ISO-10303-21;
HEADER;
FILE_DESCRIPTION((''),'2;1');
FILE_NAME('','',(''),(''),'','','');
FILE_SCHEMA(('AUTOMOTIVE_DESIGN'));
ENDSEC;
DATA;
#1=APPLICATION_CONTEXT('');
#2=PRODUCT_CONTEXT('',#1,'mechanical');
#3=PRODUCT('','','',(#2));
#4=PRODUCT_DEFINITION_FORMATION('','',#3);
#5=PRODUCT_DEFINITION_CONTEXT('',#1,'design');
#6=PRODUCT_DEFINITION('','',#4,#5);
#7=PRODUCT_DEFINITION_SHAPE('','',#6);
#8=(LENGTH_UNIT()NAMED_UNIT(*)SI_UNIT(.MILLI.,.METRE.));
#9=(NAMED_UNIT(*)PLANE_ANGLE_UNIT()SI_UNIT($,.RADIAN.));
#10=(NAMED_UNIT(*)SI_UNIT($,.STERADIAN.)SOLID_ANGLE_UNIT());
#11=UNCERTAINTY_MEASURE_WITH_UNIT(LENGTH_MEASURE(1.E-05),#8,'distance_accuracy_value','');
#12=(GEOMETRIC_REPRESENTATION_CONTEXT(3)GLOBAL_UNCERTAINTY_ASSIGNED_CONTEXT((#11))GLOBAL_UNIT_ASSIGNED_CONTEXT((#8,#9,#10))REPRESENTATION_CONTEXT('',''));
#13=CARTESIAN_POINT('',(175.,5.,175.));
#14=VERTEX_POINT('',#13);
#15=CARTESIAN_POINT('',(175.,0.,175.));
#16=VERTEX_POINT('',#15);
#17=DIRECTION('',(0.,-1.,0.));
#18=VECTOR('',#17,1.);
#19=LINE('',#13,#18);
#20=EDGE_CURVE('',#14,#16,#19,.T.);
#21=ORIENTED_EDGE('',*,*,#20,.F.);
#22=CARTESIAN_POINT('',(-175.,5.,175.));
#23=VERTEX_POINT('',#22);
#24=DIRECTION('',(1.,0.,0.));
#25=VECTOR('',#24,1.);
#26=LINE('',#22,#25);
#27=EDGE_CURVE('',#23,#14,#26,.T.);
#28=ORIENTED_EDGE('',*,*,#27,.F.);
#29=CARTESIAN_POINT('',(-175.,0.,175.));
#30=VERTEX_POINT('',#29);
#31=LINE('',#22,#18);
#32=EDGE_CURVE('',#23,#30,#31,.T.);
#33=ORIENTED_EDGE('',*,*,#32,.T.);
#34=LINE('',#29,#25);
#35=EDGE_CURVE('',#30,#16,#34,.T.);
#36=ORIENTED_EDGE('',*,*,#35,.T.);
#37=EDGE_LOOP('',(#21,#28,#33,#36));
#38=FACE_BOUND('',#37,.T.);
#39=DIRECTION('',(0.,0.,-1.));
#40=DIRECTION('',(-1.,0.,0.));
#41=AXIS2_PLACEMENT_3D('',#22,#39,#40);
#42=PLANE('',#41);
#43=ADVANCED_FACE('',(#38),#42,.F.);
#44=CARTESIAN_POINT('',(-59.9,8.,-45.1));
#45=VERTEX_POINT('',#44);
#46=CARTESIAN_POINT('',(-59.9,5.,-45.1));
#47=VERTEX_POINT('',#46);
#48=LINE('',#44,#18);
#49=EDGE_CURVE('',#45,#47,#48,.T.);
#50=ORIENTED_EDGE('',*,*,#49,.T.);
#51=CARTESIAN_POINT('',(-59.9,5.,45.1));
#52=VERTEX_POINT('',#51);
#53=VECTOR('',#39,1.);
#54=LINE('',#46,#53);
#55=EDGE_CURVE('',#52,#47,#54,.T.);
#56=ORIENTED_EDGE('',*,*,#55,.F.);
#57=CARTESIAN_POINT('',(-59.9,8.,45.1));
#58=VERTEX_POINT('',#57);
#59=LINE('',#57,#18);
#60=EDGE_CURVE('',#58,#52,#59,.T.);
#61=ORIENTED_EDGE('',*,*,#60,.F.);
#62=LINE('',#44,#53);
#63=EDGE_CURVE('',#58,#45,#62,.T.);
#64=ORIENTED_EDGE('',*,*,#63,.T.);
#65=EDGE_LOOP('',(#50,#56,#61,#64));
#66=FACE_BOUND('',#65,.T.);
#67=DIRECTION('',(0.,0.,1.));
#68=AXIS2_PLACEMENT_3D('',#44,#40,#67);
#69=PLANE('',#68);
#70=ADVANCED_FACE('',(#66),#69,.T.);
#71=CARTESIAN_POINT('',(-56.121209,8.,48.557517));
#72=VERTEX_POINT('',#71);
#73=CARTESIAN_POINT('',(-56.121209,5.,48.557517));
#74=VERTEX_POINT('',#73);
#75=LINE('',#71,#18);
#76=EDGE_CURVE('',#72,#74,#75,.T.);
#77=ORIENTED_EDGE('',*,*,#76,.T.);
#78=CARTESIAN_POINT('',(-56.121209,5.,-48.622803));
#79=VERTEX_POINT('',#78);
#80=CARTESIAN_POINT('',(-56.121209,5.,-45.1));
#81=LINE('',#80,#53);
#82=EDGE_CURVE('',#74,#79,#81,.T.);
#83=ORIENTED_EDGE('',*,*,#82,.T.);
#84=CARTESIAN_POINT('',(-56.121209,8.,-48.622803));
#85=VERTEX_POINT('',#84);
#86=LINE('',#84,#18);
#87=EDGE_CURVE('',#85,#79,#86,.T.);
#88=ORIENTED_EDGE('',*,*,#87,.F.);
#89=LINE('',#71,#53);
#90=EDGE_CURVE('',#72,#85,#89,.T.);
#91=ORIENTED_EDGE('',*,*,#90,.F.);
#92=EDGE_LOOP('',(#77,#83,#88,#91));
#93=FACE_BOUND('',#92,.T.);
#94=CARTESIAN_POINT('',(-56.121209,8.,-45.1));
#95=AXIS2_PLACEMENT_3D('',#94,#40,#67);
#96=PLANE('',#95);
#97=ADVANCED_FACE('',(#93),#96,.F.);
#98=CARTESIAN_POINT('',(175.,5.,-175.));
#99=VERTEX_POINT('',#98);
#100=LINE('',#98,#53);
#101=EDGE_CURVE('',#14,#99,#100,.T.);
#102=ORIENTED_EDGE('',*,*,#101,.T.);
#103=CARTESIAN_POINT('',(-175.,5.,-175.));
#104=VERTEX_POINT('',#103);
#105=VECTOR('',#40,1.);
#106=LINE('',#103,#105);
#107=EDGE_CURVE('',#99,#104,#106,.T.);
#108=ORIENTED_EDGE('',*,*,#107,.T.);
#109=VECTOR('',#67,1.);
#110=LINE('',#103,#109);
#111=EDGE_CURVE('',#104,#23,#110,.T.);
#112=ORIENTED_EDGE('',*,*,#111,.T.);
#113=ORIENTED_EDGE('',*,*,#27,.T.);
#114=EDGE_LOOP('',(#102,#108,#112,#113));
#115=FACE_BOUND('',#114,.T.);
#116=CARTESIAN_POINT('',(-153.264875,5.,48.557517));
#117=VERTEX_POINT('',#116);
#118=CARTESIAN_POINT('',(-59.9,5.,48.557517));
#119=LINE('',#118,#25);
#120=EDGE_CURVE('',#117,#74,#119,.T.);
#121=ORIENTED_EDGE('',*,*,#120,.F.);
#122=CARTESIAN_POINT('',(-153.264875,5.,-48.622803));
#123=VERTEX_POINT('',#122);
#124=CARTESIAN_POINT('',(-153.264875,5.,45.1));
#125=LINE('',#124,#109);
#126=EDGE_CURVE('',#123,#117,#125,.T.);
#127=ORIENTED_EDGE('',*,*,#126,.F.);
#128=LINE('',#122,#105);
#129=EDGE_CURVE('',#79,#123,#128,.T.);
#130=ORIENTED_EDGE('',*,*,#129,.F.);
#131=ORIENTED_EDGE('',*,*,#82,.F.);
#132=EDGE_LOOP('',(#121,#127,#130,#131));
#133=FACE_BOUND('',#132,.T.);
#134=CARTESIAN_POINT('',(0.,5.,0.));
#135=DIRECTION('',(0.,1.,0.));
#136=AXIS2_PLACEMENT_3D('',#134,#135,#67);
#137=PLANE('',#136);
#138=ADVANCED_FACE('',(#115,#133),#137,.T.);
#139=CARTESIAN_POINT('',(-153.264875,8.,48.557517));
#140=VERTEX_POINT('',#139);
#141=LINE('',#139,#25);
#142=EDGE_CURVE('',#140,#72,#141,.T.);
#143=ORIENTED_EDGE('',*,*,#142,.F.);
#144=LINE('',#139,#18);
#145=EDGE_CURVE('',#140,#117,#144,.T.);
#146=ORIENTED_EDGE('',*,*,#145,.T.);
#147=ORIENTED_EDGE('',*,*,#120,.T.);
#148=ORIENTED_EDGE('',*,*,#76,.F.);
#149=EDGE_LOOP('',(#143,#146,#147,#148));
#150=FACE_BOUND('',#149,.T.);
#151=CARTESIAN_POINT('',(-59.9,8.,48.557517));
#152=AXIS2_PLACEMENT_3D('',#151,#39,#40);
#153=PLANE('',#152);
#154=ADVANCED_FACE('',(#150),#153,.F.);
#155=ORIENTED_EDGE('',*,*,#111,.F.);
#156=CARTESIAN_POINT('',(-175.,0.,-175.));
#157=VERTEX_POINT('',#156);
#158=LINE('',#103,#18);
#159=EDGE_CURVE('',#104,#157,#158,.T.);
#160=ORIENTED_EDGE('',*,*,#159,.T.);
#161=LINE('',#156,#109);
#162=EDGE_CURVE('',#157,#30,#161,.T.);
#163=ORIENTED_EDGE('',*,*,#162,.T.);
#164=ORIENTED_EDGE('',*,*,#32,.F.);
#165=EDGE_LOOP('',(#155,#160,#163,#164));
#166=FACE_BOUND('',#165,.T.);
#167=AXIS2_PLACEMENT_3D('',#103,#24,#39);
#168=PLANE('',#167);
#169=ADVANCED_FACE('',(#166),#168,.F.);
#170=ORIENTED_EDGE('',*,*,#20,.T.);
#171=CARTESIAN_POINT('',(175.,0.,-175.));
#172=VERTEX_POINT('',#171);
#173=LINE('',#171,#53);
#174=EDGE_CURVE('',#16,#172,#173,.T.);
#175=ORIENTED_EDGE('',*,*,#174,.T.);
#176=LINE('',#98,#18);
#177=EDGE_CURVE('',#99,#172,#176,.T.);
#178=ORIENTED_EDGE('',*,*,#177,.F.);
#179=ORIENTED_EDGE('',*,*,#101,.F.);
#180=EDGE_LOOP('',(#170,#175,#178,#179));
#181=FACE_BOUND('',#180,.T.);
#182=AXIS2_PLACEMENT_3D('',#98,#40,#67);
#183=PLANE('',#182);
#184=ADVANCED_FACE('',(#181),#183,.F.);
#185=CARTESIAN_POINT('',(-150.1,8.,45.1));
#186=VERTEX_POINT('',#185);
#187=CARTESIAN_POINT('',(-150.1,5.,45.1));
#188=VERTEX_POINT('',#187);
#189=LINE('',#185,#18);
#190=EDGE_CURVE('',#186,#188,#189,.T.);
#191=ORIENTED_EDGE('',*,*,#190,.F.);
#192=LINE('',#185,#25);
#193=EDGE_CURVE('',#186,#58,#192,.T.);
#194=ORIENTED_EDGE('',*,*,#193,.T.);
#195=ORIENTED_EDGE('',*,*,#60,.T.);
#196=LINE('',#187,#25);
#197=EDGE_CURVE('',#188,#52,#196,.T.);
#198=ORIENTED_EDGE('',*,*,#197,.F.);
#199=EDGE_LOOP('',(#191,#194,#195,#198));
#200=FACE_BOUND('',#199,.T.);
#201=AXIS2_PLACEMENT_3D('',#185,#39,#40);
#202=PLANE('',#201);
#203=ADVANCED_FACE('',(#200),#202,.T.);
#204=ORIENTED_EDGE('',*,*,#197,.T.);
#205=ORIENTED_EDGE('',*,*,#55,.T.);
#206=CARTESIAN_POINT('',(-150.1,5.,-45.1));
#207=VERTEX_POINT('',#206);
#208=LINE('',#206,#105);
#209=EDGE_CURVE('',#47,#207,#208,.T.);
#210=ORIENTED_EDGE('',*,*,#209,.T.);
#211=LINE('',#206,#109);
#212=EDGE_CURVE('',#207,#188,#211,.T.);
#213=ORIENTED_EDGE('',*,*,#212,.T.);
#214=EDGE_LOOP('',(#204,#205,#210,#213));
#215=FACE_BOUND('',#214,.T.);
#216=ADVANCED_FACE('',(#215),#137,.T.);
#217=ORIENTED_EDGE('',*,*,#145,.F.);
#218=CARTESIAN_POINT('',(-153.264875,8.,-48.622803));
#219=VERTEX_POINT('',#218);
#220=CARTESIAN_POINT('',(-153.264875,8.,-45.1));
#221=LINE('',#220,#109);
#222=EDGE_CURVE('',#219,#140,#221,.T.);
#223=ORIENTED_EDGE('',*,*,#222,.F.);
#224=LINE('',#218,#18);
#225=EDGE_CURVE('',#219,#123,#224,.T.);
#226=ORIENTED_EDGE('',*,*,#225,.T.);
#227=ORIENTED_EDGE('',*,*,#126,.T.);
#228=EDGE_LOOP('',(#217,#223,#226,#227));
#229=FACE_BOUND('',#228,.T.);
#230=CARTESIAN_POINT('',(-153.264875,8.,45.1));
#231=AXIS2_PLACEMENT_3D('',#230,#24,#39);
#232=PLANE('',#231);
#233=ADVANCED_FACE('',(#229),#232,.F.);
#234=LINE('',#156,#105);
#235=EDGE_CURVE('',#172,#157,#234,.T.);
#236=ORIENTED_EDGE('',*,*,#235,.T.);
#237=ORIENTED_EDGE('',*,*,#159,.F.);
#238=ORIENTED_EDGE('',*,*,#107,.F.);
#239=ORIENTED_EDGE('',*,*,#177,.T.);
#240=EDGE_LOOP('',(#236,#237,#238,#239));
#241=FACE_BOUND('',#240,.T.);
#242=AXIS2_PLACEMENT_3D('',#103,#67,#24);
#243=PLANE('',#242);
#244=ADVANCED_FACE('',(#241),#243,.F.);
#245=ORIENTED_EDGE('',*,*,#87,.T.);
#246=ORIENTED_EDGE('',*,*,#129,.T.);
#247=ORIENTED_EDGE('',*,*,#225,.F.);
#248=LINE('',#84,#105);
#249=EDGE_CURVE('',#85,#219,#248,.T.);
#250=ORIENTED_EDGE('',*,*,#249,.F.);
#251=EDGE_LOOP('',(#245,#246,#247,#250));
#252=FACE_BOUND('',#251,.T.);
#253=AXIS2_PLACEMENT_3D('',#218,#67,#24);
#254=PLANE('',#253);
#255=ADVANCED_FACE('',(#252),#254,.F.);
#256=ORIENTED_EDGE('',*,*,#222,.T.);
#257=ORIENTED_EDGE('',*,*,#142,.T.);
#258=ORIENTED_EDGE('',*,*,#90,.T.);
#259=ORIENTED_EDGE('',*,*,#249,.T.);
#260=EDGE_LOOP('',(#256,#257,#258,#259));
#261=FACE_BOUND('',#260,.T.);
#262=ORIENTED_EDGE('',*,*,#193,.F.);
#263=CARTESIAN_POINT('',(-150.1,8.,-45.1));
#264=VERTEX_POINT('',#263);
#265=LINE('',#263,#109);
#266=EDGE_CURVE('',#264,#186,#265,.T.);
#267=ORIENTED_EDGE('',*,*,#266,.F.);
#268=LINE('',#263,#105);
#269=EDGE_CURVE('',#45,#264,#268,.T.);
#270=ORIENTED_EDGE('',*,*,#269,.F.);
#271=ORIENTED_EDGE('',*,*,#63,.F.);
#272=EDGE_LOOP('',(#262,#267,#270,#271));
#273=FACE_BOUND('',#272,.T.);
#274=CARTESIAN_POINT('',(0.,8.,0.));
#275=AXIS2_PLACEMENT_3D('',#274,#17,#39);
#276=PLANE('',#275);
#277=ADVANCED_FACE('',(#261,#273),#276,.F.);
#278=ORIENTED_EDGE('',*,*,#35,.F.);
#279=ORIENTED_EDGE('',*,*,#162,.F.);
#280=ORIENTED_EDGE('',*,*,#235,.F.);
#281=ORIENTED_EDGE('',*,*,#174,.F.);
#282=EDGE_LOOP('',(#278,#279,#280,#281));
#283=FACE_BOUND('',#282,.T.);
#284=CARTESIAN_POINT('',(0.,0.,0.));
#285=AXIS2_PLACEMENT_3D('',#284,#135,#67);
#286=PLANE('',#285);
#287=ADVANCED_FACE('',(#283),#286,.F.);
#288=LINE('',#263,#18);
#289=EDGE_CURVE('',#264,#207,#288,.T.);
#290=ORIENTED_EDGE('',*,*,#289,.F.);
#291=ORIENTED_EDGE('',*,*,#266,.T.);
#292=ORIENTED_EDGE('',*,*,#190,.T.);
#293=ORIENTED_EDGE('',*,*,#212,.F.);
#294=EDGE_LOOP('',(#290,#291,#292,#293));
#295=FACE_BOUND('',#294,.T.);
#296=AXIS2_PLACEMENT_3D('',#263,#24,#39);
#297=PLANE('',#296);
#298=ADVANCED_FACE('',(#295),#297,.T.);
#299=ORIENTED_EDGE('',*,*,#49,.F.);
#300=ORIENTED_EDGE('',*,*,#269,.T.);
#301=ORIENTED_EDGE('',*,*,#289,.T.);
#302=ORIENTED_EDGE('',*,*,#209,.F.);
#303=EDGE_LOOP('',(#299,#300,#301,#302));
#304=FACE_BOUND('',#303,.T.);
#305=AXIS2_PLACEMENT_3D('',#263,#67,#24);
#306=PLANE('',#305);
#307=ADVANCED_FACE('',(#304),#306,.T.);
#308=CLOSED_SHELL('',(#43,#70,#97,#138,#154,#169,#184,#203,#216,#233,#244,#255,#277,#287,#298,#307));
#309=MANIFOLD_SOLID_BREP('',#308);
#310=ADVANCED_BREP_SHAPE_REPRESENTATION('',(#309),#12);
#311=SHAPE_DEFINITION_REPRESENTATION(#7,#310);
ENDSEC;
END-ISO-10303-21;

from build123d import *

# Parameters (mm, degrees)
SKETCH2_W           = 350
SKETCH2_H           = 350
BOSS_EXTRUDE1_DEPTH = 5
SKETCH4_W           = 90.2
SKETCH4_H           = 90.2
BOSS_EXTRUDE2_DEPTH = 3


with BuildPart() as part:
    # Sketch2 → Boss-Extrude1 (new body)
    with BuildSketch(Plane(origin=(0, 0, 0), x_dir=(1, 0, 0), z_dir=(0, 1, 0))):
        Rectangle(SKETCH2_W, SKETCH2_H)
    extrude(amount=BOSS_EXTRUDE1_DEPTH)

    # Sketch4 → Boss-Extrude2 (add)
    with BuildSketch(Plane(origin=(0, 5, 0), x_dir=(1, 0, 0), z_dir=(0, 1, 0))):
        Polygon((-56.121208512, 45.1), (-56.121208512, 48.622803372), (-59.9, 48.622803372), (-150.1, 48.622803372), (-153.264875212, 48.622803372), (-153.264875212, 45.1), (-153.264875212, -45.1), (-153.264875212, -48.557517283), (-150.1, -48.557517283), (-59.9, -48.557517283), (-56.121208512, -48.557517283), (-56.121208512, -45.1), align=None)
        with Locations((-105, 0)):
            Rectangle(SKETCH4_W, SKETCH4_H, mode=Mode.SUBTRACT)
    extrude(amount=BOSS_EXTRUDE2_DEPTH)


solid = part.part
